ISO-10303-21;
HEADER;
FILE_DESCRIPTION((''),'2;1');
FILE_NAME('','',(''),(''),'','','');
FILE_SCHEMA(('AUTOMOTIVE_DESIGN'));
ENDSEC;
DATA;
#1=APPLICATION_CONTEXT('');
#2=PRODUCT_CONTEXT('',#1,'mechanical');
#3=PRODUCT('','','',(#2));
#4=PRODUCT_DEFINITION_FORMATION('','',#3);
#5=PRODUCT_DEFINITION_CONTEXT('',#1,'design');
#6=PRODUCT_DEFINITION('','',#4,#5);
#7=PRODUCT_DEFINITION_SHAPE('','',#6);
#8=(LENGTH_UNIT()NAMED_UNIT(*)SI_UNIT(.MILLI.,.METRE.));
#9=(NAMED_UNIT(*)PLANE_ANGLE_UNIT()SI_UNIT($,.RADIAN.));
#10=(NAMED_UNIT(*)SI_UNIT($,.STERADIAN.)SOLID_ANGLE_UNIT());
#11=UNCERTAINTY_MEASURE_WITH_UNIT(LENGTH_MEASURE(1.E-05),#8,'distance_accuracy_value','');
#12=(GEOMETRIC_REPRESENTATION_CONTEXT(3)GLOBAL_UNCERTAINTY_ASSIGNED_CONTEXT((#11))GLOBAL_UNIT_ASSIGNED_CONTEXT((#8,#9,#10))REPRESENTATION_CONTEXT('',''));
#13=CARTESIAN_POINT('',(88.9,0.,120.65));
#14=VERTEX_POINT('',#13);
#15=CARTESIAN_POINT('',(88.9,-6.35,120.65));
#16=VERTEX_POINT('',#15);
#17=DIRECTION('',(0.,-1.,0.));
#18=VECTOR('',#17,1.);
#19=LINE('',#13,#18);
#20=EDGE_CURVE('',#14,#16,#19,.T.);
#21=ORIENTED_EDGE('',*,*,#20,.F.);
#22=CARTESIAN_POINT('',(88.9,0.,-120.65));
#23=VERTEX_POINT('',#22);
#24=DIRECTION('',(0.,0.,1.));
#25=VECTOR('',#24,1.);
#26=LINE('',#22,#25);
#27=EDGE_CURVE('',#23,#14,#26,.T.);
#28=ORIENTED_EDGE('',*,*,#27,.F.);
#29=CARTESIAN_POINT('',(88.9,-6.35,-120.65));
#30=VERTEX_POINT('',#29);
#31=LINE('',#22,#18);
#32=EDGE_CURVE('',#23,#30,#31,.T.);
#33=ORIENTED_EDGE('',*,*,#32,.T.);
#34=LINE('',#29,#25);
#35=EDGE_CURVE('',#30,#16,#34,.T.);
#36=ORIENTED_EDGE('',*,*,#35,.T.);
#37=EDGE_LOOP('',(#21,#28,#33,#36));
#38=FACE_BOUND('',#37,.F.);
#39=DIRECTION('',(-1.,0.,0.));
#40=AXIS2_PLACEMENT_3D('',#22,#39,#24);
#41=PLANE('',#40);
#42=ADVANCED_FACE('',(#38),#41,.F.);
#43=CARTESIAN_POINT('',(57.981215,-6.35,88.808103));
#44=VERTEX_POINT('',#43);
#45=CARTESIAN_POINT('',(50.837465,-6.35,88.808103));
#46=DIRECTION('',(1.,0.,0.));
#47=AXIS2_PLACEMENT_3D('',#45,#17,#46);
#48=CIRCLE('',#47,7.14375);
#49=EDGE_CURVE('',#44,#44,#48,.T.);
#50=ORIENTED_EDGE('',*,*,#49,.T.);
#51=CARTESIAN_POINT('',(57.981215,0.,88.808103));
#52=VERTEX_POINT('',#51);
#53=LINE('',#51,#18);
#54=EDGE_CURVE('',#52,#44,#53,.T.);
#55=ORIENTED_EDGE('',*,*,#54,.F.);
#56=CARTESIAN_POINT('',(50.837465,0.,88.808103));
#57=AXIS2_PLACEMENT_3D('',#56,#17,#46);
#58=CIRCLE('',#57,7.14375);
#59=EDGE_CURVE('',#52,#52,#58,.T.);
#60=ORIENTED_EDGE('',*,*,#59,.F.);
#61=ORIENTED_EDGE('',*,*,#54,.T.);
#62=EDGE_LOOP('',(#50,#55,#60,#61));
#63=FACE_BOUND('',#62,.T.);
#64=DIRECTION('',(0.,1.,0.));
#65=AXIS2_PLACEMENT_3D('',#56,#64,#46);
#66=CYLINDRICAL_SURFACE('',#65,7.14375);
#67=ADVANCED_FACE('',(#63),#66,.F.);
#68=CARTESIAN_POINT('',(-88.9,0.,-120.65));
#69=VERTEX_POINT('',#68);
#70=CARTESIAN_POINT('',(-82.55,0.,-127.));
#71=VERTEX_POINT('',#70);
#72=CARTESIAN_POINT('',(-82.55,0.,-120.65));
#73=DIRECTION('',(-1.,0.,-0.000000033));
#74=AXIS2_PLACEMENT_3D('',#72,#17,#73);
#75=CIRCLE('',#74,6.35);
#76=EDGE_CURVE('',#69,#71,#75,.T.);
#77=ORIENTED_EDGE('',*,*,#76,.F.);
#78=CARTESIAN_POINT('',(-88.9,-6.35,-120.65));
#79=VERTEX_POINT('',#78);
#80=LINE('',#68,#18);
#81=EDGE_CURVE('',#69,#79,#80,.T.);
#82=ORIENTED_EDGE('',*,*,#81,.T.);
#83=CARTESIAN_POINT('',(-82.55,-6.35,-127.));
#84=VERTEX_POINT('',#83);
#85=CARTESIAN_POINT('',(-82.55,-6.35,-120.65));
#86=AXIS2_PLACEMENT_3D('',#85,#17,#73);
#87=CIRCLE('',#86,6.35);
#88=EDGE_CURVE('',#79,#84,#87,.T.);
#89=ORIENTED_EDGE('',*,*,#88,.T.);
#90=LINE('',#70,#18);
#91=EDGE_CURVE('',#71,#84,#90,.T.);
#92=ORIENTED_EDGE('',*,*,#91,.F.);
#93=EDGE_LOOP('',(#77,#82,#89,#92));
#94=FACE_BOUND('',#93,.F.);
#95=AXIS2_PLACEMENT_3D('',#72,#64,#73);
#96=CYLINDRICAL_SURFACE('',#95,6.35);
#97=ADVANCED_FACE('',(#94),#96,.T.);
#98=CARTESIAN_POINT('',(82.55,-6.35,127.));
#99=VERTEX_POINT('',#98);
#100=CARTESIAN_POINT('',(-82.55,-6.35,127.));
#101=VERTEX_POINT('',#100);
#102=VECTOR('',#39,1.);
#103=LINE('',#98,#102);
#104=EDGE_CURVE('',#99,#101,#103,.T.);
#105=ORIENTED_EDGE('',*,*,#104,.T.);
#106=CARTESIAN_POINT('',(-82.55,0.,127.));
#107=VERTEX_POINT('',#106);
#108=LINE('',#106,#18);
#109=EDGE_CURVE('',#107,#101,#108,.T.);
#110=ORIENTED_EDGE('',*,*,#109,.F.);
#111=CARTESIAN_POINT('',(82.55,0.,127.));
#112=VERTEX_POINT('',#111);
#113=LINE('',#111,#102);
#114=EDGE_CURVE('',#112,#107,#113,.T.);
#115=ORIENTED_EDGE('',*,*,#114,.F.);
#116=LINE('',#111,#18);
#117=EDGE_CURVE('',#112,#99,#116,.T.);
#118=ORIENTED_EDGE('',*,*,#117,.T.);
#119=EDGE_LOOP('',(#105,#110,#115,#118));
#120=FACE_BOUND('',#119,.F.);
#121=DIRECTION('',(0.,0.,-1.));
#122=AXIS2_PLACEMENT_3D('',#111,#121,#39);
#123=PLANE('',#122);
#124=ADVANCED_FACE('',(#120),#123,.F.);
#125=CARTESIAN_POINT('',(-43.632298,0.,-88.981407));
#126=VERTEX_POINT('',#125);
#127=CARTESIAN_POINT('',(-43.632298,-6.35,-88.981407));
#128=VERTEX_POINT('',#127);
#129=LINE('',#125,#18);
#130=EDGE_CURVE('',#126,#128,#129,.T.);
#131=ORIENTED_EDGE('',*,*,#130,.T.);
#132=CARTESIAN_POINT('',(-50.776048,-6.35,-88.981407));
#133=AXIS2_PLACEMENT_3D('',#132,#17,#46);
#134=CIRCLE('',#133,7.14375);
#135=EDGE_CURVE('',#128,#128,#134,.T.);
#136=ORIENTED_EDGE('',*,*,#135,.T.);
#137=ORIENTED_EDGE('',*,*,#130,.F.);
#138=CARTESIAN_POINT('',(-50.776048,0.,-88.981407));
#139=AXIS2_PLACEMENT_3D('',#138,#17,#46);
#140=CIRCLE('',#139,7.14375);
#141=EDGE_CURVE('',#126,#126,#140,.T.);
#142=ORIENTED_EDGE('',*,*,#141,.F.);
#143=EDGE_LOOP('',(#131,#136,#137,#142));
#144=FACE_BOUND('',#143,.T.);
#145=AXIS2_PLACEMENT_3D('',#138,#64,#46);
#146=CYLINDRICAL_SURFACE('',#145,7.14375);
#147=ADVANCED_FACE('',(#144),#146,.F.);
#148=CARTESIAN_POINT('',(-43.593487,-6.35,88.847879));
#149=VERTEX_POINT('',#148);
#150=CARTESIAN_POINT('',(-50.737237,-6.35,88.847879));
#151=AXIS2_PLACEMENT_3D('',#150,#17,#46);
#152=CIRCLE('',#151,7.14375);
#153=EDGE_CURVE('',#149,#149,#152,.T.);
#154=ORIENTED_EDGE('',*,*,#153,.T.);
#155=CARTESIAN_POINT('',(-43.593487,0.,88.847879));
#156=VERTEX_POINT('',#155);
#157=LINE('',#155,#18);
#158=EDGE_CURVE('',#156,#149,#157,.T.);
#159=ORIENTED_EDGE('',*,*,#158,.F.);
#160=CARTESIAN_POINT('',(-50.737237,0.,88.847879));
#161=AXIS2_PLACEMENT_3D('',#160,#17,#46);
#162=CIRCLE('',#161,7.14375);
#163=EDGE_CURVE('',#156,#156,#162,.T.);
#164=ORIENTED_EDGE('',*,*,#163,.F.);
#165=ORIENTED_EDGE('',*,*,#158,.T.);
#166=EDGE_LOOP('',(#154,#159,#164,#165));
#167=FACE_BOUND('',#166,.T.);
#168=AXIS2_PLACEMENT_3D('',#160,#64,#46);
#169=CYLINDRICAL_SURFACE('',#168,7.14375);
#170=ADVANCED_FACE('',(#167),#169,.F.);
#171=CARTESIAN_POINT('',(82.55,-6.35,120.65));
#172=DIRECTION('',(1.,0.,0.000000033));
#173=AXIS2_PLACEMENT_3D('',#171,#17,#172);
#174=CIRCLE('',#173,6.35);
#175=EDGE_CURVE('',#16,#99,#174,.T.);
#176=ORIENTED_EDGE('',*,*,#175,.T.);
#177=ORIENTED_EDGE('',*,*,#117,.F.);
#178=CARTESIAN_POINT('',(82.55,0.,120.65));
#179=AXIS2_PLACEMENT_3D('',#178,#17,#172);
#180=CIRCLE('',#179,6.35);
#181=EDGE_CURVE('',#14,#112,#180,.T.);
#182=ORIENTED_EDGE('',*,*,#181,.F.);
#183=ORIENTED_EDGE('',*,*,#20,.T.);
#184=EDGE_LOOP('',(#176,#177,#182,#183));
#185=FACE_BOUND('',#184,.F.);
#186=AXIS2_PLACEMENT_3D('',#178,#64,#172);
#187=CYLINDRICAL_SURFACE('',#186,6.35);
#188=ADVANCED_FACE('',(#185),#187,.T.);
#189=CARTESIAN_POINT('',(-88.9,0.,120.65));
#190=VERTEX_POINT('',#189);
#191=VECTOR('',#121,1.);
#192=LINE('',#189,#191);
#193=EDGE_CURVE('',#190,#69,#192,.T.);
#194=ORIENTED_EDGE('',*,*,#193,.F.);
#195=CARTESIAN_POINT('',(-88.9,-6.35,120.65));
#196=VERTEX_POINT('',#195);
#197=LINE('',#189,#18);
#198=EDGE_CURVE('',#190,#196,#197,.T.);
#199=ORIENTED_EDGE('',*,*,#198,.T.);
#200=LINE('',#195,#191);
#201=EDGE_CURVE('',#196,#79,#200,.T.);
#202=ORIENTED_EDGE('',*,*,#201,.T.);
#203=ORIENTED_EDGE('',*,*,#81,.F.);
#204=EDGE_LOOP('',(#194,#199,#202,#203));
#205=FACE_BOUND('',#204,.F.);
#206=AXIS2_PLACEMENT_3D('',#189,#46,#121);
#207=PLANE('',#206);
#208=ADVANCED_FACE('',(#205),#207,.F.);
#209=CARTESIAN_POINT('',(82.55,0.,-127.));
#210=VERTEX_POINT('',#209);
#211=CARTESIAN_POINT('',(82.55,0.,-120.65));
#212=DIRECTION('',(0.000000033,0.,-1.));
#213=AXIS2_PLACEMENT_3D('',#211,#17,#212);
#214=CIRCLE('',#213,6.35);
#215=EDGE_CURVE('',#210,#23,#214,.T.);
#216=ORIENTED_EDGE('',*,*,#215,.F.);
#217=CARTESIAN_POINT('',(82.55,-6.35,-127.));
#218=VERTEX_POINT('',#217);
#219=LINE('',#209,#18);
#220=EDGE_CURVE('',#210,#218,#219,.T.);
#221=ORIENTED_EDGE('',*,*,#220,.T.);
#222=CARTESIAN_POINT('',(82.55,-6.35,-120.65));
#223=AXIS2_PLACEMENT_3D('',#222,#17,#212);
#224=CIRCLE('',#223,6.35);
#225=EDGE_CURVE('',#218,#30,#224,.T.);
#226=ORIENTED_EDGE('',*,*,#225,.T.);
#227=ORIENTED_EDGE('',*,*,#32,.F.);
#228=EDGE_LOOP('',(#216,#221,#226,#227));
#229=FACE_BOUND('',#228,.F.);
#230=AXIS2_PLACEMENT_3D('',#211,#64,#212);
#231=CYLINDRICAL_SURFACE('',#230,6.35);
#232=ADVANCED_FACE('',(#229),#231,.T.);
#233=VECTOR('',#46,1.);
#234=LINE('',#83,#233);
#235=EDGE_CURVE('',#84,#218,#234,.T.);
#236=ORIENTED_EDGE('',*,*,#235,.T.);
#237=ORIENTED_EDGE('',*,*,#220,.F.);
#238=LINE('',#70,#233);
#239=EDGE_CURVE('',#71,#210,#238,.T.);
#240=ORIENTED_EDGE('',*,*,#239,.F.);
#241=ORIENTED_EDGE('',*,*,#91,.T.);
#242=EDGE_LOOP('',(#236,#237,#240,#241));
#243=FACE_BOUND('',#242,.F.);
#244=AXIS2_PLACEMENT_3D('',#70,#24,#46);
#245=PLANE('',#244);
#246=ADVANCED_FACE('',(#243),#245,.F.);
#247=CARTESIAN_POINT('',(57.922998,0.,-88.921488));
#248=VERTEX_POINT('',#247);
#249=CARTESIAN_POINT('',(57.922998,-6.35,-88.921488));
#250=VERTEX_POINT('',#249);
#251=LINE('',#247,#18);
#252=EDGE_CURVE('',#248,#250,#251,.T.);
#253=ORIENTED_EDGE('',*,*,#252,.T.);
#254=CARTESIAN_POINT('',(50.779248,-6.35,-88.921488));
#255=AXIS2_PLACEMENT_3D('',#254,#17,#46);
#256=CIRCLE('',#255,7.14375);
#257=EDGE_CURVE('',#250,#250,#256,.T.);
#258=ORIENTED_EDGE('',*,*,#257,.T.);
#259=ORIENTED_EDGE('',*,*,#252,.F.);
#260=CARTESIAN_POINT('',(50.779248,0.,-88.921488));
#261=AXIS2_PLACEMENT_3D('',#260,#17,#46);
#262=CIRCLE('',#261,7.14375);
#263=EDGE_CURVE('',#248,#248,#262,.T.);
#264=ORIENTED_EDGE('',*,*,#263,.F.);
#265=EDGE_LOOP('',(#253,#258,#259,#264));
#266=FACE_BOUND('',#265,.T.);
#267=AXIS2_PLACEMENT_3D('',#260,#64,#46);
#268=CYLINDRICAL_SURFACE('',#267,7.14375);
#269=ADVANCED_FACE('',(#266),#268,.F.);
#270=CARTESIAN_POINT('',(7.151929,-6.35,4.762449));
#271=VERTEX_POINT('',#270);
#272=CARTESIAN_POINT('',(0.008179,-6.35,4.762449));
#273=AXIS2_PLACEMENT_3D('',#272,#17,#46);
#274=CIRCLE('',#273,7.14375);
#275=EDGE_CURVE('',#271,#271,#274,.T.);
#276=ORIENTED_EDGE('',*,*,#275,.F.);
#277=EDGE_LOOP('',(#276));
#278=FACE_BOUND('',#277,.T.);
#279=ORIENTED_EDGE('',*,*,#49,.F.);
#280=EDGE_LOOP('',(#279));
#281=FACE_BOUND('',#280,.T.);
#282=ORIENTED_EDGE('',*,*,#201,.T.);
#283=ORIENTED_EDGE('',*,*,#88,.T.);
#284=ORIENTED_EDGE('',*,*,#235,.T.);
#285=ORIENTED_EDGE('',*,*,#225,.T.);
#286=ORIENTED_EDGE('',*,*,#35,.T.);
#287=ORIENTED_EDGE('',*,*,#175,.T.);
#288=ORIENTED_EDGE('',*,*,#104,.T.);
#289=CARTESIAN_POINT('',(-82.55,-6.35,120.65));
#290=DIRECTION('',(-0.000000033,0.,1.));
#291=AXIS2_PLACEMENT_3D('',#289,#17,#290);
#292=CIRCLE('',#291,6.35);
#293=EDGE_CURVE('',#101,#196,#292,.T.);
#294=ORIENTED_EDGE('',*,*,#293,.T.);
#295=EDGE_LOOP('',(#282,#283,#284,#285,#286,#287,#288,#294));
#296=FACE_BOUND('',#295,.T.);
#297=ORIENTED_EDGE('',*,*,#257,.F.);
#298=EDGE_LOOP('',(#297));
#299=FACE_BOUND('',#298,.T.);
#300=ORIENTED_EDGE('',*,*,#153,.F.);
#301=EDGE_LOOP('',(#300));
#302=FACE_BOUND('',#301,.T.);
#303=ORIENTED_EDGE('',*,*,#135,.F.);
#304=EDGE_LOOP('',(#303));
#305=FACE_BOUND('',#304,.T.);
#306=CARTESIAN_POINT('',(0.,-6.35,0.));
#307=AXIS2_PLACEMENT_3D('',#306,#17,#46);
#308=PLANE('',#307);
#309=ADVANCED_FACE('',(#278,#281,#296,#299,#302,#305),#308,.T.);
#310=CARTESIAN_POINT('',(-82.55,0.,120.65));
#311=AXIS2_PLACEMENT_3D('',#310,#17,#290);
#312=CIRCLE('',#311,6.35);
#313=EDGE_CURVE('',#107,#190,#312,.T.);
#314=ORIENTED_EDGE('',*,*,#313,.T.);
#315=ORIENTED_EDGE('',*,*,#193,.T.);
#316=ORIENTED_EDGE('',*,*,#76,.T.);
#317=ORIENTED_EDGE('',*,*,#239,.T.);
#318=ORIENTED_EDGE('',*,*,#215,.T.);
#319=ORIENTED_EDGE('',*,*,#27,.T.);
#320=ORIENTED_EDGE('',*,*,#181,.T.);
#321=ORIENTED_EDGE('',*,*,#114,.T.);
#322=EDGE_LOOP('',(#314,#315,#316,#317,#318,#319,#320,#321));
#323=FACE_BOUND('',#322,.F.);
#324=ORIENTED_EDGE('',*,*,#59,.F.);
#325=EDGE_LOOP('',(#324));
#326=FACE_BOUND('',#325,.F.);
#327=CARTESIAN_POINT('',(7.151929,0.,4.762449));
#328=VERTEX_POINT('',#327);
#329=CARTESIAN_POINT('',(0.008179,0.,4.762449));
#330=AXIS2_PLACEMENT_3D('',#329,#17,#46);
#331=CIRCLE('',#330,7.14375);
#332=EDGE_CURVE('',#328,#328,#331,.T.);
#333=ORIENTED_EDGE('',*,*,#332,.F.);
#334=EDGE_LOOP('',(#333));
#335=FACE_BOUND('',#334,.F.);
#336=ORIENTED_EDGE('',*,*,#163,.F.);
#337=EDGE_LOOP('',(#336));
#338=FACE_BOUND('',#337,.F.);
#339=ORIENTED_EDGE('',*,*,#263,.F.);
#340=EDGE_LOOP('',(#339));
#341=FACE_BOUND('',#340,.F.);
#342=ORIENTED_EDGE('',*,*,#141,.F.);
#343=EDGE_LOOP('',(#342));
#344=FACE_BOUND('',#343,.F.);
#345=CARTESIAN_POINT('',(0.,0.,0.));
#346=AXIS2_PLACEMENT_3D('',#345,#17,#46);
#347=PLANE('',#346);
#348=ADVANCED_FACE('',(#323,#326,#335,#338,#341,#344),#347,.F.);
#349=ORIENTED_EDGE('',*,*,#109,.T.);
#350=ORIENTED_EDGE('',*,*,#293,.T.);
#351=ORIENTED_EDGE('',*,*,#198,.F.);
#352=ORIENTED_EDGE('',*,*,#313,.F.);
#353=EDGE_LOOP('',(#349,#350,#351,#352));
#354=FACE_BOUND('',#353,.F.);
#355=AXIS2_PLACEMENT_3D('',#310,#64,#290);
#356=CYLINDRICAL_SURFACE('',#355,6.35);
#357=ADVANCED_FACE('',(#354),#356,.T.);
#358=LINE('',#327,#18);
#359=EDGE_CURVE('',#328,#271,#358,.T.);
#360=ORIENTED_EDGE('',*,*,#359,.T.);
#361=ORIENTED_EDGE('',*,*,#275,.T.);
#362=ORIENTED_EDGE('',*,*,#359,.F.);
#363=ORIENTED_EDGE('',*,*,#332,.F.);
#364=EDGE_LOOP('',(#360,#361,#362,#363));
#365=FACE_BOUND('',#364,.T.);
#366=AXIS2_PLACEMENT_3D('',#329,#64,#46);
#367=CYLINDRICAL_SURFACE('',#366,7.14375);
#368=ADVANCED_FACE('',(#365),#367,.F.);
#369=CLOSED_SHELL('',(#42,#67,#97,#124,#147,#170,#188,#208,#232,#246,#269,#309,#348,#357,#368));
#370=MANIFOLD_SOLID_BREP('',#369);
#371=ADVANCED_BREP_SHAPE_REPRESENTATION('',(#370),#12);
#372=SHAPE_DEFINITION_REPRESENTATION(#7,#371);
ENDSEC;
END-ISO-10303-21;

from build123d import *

# Parameters (mm, degrees)
F0_R     = 7.14375
F1_DEPTH = 6.35


with BuildPart() as f1:
    # F0 (on Front) → F1 (new body)
    with BuildSketch(Plane.XZ):
        with BuildLine():
            ThreePointArc((88.9, 120.65), (87.040128, 125.140128), (82.55, 127))
            Line((82.55, 127), (-82.55, 127))
            ThreePointArc((-82.55, 127), (-87.040128, 125.140128), (-88.9, 120.65))
            Line((-88.9, 120.65), (-88.9, -120.65))
            ThreePointArc((-88.9, -120.65), (-87.040128, -125.140128), (-82.55, -127))
            Line((-82.55, -127), (82.55, -127))
            ThreePointArc((82.55, -127), (87.040128, -125.140128), (88.9, -120.65))
            Line((88.9, -120.65), (88.9, 120.65))
        make_face()
        with Locations((-50.776048, -88.981407)):
            Circle(F0_R, mode=Mode.SUBTRACT)
        with Locations((50.779248, -88.921488)):
            Circle(F0_R, mode=Mode.SUBTRACT)
        with Locations((-50.737237, 88.847879)):
            Circle(F0_R, mode=Mode.SUBTRACT)
        with Locations((0.008179, 4.762449)):
            Circle(F0_R, mode=Mode.SUBTRACT)
        with Locations((50.837465, 88.808103)):
            Circle(F0_R, mode=Mode.SUBTRACT)
    extrude(amount=F1_DEPTH)


solid = f1.part
